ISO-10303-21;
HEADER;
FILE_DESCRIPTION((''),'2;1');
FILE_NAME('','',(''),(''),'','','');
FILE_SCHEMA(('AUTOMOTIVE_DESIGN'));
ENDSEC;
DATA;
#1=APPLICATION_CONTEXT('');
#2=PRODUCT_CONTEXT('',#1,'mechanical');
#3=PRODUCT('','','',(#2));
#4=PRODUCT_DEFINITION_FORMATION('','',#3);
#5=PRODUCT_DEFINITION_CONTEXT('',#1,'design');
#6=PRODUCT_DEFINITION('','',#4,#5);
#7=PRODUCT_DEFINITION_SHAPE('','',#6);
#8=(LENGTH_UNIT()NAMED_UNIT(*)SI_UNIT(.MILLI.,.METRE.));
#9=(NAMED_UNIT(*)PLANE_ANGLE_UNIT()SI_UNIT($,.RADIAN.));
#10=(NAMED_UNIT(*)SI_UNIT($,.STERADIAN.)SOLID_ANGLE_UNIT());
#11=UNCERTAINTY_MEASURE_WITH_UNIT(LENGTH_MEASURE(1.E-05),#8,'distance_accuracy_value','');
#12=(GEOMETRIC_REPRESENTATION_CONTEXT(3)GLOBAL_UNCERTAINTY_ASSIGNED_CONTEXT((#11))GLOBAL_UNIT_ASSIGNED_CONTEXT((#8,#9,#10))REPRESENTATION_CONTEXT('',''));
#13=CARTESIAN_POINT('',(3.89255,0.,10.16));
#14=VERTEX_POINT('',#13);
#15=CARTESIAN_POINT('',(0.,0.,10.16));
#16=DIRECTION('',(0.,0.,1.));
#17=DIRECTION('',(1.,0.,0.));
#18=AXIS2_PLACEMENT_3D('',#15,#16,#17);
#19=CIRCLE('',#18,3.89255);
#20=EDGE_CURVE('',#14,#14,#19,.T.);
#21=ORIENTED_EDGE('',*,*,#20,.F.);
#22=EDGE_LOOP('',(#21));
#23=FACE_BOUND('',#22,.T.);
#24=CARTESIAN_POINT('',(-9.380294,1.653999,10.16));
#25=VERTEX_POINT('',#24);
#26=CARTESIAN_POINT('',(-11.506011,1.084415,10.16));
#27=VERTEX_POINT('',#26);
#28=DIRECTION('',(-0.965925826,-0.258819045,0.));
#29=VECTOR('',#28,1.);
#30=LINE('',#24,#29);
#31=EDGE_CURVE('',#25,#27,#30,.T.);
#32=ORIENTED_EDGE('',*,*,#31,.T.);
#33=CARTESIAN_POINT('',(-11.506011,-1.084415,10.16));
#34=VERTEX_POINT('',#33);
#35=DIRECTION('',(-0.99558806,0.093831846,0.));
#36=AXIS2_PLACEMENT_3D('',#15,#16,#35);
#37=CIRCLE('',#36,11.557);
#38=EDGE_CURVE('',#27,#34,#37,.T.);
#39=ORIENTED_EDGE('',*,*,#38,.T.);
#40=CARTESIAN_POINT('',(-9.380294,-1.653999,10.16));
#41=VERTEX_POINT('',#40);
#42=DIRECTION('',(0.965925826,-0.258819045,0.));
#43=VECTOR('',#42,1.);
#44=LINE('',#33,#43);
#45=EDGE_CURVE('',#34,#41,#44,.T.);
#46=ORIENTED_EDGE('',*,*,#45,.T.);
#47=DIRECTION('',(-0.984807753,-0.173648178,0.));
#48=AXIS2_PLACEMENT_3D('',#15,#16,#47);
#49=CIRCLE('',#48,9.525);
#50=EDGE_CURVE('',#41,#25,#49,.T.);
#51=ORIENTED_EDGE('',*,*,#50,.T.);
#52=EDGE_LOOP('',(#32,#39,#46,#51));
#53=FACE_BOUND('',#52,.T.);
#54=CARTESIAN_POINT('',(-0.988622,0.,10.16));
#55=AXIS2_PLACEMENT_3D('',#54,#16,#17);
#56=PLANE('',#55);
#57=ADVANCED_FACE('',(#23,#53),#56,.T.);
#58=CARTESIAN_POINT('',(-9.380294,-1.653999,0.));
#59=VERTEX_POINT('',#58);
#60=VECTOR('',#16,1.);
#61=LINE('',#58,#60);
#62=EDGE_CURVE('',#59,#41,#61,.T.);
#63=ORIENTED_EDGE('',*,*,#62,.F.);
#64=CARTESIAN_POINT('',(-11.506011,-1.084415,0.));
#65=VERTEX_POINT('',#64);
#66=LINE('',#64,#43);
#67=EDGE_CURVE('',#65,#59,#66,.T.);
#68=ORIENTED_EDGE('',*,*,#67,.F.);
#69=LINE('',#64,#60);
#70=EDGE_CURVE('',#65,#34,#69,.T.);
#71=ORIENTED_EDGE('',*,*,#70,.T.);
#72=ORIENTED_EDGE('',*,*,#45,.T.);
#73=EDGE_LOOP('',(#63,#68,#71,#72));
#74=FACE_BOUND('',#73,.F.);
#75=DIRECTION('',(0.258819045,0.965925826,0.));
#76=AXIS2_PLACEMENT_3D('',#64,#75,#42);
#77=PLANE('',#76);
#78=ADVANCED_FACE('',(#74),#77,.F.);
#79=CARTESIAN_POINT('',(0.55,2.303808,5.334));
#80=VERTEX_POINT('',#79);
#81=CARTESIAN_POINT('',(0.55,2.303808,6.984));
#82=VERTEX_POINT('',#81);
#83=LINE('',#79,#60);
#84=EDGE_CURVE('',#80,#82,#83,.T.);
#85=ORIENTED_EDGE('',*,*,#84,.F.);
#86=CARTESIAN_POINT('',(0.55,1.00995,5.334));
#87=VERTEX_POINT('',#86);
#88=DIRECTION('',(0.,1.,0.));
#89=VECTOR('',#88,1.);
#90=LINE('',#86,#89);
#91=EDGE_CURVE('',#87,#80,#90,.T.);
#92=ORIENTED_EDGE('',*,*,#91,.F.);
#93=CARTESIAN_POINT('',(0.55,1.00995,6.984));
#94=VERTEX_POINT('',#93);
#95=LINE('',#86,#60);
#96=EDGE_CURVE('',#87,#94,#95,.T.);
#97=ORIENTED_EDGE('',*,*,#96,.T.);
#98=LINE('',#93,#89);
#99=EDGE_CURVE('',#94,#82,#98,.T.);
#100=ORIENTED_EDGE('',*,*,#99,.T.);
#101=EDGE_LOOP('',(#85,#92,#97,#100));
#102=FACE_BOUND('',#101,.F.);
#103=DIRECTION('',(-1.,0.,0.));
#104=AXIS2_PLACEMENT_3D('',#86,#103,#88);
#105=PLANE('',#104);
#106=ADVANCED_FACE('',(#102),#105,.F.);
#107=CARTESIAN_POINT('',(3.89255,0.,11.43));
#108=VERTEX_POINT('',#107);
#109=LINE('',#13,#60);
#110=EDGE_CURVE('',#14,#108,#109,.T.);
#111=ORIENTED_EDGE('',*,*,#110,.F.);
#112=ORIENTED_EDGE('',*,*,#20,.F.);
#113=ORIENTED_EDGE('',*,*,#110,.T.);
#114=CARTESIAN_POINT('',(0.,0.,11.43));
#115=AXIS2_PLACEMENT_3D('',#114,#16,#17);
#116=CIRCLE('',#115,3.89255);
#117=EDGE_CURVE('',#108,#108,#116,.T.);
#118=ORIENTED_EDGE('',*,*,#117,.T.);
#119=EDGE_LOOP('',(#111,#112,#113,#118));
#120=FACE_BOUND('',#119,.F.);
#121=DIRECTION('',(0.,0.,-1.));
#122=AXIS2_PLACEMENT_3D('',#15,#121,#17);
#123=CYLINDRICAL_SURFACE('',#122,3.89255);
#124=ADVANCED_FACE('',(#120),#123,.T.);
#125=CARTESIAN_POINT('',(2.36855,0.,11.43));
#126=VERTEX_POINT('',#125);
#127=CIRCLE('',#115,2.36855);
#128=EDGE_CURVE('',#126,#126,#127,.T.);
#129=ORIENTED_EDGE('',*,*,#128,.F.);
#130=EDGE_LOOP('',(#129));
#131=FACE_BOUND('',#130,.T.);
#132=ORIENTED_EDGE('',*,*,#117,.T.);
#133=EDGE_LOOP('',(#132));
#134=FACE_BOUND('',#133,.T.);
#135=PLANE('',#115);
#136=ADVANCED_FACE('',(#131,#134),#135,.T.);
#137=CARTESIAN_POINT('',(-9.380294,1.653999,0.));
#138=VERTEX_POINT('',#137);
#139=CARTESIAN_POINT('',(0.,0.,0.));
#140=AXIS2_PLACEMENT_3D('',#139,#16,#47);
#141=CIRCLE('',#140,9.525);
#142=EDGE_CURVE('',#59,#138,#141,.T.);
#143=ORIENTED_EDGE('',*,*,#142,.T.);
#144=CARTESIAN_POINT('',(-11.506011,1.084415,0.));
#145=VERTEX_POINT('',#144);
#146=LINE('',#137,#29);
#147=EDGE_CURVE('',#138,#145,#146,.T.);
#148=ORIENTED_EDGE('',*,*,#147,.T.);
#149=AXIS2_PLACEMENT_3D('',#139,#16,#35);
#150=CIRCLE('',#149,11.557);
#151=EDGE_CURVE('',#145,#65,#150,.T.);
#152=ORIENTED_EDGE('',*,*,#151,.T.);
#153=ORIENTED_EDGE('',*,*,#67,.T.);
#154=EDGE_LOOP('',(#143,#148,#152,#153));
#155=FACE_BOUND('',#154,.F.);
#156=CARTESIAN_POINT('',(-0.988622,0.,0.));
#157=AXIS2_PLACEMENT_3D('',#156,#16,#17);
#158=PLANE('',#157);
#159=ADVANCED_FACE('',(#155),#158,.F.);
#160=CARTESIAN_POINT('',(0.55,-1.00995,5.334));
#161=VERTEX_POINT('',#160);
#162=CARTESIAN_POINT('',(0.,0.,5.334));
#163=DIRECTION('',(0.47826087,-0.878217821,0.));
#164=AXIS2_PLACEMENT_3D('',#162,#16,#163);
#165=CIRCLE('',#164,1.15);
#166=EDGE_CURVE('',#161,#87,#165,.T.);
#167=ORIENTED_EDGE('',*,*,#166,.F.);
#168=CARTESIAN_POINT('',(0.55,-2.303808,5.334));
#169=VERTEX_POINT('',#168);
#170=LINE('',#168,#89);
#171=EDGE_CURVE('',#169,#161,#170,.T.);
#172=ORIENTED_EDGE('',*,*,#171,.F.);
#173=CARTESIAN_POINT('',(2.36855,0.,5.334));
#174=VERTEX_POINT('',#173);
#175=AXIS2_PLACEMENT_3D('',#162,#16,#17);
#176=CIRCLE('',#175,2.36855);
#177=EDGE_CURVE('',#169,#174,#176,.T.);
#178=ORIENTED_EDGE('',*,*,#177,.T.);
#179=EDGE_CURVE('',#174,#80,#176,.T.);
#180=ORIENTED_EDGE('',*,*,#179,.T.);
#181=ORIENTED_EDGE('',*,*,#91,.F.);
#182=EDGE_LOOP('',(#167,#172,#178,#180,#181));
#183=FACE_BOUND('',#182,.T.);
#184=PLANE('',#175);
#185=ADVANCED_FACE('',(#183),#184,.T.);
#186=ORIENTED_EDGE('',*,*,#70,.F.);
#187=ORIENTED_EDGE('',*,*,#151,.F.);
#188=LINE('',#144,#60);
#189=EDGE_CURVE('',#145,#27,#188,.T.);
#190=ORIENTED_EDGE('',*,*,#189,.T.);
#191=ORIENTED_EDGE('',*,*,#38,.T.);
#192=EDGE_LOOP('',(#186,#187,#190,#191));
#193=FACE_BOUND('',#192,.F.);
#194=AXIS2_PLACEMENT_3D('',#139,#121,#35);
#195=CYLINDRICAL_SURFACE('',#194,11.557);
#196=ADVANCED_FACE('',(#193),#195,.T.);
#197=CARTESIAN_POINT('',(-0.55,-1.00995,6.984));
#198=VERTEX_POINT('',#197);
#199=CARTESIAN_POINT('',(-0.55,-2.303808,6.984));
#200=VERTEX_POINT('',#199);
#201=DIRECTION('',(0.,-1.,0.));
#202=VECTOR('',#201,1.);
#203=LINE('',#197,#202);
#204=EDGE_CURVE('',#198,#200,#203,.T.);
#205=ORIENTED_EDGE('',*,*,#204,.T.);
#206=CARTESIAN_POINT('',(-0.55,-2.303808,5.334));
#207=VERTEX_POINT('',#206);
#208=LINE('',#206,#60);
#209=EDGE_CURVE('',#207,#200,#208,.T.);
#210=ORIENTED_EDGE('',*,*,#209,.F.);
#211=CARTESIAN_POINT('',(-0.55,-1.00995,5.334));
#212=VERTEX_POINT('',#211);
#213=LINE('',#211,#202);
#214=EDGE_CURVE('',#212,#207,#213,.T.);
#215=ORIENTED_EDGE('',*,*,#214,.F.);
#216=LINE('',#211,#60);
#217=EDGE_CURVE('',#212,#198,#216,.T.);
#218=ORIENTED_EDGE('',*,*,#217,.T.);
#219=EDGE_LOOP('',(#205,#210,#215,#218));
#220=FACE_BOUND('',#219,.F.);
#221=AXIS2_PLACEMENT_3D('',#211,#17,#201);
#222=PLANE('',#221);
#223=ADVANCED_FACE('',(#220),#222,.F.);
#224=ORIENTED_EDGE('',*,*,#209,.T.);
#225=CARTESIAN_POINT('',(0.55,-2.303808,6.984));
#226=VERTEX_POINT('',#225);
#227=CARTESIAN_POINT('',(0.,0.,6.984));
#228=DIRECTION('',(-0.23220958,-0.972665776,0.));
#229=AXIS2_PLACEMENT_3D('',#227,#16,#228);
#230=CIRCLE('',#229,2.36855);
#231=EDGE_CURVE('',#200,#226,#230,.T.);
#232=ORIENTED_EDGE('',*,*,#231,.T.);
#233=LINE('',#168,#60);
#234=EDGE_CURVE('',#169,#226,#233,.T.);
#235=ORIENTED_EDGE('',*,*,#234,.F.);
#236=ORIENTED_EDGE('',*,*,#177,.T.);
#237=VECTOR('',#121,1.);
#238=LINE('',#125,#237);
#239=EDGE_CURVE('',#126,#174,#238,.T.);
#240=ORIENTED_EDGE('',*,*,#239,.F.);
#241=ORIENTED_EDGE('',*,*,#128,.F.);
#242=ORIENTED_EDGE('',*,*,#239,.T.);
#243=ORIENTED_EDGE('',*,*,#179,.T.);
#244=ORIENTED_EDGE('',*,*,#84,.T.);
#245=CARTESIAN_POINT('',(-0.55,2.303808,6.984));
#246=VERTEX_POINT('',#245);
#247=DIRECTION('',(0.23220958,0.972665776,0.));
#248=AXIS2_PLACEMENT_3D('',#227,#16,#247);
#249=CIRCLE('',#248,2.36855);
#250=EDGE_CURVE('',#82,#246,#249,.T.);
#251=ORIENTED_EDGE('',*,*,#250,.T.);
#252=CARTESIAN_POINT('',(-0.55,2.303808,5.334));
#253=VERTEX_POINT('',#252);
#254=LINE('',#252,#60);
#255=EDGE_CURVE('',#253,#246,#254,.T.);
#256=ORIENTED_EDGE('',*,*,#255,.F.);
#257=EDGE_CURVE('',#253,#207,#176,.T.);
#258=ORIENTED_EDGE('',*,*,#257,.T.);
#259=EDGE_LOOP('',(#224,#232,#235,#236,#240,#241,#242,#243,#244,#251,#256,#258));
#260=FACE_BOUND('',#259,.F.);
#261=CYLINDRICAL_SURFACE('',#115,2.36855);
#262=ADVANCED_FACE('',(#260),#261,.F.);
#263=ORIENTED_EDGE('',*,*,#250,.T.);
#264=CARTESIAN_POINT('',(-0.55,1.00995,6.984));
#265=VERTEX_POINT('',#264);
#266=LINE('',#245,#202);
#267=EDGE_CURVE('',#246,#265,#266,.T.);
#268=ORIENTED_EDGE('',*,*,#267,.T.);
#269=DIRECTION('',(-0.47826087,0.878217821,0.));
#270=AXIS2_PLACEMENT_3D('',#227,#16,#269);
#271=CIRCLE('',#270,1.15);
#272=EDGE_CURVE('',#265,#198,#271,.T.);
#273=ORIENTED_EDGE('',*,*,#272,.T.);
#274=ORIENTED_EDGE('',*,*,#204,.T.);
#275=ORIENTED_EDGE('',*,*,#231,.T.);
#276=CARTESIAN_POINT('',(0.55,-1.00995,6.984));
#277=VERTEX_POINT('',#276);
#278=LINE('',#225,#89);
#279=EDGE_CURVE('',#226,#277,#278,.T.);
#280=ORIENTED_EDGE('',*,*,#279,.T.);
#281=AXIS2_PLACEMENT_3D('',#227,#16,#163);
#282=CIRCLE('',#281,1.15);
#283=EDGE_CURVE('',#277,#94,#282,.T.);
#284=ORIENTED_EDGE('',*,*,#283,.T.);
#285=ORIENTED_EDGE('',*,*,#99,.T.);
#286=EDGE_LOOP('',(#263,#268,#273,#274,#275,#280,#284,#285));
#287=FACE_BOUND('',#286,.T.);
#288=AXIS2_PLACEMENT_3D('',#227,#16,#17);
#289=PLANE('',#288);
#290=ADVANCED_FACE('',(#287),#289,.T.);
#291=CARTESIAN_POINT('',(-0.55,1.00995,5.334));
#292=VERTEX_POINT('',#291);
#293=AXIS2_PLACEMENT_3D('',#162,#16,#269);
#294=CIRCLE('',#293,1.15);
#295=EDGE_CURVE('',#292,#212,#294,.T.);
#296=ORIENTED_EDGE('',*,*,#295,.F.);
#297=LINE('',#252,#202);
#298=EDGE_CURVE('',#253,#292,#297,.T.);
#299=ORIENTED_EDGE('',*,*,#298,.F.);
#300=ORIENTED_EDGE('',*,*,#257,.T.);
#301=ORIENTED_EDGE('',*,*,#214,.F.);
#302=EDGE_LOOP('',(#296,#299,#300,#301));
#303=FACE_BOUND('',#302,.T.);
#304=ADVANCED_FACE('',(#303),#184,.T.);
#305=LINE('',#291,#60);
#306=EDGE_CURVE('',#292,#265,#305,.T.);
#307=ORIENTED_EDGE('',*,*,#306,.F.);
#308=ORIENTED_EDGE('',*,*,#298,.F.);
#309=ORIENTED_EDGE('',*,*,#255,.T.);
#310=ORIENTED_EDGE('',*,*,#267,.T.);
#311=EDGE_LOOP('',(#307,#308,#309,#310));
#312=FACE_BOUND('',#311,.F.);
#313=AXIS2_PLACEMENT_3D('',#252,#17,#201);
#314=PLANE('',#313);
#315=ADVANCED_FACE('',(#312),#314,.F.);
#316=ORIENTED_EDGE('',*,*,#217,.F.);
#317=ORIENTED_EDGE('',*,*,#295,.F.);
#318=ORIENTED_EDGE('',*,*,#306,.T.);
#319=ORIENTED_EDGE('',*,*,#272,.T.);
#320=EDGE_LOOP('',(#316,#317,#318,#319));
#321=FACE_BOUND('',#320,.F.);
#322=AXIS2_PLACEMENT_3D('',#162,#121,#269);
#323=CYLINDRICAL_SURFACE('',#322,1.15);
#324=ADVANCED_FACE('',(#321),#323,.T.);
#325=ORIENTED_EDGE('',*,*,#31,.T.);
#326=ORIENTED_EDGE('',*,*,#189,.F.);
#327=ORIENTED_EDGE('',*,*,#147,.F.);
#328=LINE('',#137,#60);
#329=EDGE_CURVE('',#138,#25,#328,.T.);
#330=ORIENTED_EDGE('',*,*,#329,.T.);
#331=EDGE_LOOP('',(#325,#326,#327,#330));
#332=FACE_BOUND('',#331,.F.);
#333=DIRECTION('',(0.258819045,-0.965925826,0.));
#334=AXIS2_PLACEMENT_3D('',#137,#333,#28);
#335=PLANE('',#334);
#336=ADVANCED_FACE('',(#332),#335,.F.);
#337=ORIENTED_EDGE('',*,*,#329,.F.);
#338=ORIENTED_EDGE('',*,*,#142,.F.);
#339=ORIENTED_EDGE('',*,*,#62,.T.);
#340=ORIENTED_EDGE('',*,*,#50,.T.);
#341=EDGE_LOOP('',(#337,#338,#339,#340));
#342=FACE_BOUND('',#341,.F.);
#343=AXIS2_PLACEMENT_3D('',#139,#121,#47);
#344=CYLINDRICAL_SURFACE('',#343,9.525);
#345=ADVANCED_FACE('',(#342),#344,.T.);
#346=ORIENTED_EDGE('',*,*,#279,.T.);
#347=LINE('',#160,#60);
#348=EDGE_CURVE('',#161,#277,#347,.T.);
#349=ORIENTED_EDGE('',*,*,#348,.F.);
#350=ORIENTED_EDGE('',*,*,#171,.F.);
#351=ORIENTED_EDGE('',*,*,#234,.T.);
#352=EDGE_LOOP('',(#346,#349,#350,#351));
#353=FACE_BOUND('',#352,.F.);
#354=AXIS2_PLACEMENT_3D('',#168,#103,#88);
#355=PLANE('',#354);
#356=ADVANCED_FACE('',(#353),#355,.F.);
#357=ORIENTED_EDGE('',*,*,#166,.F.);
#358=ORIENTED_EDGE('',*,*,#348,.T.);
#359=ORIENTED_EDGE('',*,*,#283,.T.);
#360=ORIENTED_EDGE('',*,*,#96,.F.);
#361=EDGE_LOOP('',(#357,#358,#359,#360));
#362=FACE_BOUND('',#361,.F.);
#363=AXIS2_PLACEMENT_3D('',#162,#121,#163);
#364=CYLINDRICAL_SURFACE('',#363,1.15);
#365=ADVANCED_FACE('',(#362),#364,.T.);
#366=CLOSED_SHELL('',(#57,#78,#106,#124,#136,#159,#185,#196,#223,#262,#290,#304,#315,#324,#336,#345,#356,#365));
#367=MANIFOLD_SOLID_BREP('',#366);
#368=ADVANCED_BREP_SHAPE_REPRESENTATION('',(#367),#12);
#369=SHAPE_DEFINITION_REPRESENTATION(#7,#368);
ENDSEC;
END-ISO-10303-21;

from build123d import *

# Parameters (mm, degrees)
F2_DEPTH = 10.16
F3_R     = 3.89255
F4_DEPTH = 1.27
F5_R     = 2.36855
F6_DEPTH = 6.096
F8_DEPTH = 1.65


with BuildPart() as f2:
    # F1 (on Top) → F2 (new body)
    with BuildSketch(Plane.XY):
        with BuildLine():
            Line((-11.5060112064, -1.0844146426), (-9.3802938474, -1.6539988923))
            ThreePointArc((-9.3802938474, -1.6539988923), (9.525, 0), (-9.3802938474, 1.6539988923))
            Line((-9.3802938474, 1.6539988923), (-11.5060112064, 1.0844146426))
            ThreePointArc((-11.5060112064, 1.0844146426), (-11.557, 0), (-11.5060112064, -1.0844146426))
        make_face()
    extrude(amount=F2_DEPTH)

    # F3 (on face) → F4 (join)
    with BuildSketch(Plane.XY.offset(10.16)):
        Circle(F3_R)
    extrude(amount=F4_DEPTH)

    # F5 (on face) → F6 (cut)
    with BuildSketch(Plane.XY.offset(11.43)):
        Circle(F5_R)
    extrude(amount=-F6_DEPTH, mode=Mode.SUBTRACT)

    # F7 (on face) → F8 (join)
    with BuildSketch(Plane.XY.offset(5.334)):
        with BuildLine():
            ThreePointArc((0.55, 2.3038075229), (0, 2.36855), (-0.55, 2.3038075229))
            Line((-0.55, 2.3038075229), (-0.55, 1.0099504938))
            ThreePointArc((-0.55, 1.0099504938), (-1.15, 0), (-0.55, -1.0099504938))
            Line((-0.55, -1.0099504938), (-0.55, -2.3038075229))
            ThreePointArc((-0.55, -2.3038075229), (0, -2.36855), (0.55, -2.3038075229))
            Line((0.55, -2.3038075229), (0.55, -1.0099504938))
            ThreePointArc((0.55, -1.0099504938), (1.15, 0), (0.55, 1.0099504938))
            Line((0.55, 1.0099504938), (0.55, 2.3038075229))
        make_face()
    extrude(amount=F8_DEPTH)


solid = f2.part
